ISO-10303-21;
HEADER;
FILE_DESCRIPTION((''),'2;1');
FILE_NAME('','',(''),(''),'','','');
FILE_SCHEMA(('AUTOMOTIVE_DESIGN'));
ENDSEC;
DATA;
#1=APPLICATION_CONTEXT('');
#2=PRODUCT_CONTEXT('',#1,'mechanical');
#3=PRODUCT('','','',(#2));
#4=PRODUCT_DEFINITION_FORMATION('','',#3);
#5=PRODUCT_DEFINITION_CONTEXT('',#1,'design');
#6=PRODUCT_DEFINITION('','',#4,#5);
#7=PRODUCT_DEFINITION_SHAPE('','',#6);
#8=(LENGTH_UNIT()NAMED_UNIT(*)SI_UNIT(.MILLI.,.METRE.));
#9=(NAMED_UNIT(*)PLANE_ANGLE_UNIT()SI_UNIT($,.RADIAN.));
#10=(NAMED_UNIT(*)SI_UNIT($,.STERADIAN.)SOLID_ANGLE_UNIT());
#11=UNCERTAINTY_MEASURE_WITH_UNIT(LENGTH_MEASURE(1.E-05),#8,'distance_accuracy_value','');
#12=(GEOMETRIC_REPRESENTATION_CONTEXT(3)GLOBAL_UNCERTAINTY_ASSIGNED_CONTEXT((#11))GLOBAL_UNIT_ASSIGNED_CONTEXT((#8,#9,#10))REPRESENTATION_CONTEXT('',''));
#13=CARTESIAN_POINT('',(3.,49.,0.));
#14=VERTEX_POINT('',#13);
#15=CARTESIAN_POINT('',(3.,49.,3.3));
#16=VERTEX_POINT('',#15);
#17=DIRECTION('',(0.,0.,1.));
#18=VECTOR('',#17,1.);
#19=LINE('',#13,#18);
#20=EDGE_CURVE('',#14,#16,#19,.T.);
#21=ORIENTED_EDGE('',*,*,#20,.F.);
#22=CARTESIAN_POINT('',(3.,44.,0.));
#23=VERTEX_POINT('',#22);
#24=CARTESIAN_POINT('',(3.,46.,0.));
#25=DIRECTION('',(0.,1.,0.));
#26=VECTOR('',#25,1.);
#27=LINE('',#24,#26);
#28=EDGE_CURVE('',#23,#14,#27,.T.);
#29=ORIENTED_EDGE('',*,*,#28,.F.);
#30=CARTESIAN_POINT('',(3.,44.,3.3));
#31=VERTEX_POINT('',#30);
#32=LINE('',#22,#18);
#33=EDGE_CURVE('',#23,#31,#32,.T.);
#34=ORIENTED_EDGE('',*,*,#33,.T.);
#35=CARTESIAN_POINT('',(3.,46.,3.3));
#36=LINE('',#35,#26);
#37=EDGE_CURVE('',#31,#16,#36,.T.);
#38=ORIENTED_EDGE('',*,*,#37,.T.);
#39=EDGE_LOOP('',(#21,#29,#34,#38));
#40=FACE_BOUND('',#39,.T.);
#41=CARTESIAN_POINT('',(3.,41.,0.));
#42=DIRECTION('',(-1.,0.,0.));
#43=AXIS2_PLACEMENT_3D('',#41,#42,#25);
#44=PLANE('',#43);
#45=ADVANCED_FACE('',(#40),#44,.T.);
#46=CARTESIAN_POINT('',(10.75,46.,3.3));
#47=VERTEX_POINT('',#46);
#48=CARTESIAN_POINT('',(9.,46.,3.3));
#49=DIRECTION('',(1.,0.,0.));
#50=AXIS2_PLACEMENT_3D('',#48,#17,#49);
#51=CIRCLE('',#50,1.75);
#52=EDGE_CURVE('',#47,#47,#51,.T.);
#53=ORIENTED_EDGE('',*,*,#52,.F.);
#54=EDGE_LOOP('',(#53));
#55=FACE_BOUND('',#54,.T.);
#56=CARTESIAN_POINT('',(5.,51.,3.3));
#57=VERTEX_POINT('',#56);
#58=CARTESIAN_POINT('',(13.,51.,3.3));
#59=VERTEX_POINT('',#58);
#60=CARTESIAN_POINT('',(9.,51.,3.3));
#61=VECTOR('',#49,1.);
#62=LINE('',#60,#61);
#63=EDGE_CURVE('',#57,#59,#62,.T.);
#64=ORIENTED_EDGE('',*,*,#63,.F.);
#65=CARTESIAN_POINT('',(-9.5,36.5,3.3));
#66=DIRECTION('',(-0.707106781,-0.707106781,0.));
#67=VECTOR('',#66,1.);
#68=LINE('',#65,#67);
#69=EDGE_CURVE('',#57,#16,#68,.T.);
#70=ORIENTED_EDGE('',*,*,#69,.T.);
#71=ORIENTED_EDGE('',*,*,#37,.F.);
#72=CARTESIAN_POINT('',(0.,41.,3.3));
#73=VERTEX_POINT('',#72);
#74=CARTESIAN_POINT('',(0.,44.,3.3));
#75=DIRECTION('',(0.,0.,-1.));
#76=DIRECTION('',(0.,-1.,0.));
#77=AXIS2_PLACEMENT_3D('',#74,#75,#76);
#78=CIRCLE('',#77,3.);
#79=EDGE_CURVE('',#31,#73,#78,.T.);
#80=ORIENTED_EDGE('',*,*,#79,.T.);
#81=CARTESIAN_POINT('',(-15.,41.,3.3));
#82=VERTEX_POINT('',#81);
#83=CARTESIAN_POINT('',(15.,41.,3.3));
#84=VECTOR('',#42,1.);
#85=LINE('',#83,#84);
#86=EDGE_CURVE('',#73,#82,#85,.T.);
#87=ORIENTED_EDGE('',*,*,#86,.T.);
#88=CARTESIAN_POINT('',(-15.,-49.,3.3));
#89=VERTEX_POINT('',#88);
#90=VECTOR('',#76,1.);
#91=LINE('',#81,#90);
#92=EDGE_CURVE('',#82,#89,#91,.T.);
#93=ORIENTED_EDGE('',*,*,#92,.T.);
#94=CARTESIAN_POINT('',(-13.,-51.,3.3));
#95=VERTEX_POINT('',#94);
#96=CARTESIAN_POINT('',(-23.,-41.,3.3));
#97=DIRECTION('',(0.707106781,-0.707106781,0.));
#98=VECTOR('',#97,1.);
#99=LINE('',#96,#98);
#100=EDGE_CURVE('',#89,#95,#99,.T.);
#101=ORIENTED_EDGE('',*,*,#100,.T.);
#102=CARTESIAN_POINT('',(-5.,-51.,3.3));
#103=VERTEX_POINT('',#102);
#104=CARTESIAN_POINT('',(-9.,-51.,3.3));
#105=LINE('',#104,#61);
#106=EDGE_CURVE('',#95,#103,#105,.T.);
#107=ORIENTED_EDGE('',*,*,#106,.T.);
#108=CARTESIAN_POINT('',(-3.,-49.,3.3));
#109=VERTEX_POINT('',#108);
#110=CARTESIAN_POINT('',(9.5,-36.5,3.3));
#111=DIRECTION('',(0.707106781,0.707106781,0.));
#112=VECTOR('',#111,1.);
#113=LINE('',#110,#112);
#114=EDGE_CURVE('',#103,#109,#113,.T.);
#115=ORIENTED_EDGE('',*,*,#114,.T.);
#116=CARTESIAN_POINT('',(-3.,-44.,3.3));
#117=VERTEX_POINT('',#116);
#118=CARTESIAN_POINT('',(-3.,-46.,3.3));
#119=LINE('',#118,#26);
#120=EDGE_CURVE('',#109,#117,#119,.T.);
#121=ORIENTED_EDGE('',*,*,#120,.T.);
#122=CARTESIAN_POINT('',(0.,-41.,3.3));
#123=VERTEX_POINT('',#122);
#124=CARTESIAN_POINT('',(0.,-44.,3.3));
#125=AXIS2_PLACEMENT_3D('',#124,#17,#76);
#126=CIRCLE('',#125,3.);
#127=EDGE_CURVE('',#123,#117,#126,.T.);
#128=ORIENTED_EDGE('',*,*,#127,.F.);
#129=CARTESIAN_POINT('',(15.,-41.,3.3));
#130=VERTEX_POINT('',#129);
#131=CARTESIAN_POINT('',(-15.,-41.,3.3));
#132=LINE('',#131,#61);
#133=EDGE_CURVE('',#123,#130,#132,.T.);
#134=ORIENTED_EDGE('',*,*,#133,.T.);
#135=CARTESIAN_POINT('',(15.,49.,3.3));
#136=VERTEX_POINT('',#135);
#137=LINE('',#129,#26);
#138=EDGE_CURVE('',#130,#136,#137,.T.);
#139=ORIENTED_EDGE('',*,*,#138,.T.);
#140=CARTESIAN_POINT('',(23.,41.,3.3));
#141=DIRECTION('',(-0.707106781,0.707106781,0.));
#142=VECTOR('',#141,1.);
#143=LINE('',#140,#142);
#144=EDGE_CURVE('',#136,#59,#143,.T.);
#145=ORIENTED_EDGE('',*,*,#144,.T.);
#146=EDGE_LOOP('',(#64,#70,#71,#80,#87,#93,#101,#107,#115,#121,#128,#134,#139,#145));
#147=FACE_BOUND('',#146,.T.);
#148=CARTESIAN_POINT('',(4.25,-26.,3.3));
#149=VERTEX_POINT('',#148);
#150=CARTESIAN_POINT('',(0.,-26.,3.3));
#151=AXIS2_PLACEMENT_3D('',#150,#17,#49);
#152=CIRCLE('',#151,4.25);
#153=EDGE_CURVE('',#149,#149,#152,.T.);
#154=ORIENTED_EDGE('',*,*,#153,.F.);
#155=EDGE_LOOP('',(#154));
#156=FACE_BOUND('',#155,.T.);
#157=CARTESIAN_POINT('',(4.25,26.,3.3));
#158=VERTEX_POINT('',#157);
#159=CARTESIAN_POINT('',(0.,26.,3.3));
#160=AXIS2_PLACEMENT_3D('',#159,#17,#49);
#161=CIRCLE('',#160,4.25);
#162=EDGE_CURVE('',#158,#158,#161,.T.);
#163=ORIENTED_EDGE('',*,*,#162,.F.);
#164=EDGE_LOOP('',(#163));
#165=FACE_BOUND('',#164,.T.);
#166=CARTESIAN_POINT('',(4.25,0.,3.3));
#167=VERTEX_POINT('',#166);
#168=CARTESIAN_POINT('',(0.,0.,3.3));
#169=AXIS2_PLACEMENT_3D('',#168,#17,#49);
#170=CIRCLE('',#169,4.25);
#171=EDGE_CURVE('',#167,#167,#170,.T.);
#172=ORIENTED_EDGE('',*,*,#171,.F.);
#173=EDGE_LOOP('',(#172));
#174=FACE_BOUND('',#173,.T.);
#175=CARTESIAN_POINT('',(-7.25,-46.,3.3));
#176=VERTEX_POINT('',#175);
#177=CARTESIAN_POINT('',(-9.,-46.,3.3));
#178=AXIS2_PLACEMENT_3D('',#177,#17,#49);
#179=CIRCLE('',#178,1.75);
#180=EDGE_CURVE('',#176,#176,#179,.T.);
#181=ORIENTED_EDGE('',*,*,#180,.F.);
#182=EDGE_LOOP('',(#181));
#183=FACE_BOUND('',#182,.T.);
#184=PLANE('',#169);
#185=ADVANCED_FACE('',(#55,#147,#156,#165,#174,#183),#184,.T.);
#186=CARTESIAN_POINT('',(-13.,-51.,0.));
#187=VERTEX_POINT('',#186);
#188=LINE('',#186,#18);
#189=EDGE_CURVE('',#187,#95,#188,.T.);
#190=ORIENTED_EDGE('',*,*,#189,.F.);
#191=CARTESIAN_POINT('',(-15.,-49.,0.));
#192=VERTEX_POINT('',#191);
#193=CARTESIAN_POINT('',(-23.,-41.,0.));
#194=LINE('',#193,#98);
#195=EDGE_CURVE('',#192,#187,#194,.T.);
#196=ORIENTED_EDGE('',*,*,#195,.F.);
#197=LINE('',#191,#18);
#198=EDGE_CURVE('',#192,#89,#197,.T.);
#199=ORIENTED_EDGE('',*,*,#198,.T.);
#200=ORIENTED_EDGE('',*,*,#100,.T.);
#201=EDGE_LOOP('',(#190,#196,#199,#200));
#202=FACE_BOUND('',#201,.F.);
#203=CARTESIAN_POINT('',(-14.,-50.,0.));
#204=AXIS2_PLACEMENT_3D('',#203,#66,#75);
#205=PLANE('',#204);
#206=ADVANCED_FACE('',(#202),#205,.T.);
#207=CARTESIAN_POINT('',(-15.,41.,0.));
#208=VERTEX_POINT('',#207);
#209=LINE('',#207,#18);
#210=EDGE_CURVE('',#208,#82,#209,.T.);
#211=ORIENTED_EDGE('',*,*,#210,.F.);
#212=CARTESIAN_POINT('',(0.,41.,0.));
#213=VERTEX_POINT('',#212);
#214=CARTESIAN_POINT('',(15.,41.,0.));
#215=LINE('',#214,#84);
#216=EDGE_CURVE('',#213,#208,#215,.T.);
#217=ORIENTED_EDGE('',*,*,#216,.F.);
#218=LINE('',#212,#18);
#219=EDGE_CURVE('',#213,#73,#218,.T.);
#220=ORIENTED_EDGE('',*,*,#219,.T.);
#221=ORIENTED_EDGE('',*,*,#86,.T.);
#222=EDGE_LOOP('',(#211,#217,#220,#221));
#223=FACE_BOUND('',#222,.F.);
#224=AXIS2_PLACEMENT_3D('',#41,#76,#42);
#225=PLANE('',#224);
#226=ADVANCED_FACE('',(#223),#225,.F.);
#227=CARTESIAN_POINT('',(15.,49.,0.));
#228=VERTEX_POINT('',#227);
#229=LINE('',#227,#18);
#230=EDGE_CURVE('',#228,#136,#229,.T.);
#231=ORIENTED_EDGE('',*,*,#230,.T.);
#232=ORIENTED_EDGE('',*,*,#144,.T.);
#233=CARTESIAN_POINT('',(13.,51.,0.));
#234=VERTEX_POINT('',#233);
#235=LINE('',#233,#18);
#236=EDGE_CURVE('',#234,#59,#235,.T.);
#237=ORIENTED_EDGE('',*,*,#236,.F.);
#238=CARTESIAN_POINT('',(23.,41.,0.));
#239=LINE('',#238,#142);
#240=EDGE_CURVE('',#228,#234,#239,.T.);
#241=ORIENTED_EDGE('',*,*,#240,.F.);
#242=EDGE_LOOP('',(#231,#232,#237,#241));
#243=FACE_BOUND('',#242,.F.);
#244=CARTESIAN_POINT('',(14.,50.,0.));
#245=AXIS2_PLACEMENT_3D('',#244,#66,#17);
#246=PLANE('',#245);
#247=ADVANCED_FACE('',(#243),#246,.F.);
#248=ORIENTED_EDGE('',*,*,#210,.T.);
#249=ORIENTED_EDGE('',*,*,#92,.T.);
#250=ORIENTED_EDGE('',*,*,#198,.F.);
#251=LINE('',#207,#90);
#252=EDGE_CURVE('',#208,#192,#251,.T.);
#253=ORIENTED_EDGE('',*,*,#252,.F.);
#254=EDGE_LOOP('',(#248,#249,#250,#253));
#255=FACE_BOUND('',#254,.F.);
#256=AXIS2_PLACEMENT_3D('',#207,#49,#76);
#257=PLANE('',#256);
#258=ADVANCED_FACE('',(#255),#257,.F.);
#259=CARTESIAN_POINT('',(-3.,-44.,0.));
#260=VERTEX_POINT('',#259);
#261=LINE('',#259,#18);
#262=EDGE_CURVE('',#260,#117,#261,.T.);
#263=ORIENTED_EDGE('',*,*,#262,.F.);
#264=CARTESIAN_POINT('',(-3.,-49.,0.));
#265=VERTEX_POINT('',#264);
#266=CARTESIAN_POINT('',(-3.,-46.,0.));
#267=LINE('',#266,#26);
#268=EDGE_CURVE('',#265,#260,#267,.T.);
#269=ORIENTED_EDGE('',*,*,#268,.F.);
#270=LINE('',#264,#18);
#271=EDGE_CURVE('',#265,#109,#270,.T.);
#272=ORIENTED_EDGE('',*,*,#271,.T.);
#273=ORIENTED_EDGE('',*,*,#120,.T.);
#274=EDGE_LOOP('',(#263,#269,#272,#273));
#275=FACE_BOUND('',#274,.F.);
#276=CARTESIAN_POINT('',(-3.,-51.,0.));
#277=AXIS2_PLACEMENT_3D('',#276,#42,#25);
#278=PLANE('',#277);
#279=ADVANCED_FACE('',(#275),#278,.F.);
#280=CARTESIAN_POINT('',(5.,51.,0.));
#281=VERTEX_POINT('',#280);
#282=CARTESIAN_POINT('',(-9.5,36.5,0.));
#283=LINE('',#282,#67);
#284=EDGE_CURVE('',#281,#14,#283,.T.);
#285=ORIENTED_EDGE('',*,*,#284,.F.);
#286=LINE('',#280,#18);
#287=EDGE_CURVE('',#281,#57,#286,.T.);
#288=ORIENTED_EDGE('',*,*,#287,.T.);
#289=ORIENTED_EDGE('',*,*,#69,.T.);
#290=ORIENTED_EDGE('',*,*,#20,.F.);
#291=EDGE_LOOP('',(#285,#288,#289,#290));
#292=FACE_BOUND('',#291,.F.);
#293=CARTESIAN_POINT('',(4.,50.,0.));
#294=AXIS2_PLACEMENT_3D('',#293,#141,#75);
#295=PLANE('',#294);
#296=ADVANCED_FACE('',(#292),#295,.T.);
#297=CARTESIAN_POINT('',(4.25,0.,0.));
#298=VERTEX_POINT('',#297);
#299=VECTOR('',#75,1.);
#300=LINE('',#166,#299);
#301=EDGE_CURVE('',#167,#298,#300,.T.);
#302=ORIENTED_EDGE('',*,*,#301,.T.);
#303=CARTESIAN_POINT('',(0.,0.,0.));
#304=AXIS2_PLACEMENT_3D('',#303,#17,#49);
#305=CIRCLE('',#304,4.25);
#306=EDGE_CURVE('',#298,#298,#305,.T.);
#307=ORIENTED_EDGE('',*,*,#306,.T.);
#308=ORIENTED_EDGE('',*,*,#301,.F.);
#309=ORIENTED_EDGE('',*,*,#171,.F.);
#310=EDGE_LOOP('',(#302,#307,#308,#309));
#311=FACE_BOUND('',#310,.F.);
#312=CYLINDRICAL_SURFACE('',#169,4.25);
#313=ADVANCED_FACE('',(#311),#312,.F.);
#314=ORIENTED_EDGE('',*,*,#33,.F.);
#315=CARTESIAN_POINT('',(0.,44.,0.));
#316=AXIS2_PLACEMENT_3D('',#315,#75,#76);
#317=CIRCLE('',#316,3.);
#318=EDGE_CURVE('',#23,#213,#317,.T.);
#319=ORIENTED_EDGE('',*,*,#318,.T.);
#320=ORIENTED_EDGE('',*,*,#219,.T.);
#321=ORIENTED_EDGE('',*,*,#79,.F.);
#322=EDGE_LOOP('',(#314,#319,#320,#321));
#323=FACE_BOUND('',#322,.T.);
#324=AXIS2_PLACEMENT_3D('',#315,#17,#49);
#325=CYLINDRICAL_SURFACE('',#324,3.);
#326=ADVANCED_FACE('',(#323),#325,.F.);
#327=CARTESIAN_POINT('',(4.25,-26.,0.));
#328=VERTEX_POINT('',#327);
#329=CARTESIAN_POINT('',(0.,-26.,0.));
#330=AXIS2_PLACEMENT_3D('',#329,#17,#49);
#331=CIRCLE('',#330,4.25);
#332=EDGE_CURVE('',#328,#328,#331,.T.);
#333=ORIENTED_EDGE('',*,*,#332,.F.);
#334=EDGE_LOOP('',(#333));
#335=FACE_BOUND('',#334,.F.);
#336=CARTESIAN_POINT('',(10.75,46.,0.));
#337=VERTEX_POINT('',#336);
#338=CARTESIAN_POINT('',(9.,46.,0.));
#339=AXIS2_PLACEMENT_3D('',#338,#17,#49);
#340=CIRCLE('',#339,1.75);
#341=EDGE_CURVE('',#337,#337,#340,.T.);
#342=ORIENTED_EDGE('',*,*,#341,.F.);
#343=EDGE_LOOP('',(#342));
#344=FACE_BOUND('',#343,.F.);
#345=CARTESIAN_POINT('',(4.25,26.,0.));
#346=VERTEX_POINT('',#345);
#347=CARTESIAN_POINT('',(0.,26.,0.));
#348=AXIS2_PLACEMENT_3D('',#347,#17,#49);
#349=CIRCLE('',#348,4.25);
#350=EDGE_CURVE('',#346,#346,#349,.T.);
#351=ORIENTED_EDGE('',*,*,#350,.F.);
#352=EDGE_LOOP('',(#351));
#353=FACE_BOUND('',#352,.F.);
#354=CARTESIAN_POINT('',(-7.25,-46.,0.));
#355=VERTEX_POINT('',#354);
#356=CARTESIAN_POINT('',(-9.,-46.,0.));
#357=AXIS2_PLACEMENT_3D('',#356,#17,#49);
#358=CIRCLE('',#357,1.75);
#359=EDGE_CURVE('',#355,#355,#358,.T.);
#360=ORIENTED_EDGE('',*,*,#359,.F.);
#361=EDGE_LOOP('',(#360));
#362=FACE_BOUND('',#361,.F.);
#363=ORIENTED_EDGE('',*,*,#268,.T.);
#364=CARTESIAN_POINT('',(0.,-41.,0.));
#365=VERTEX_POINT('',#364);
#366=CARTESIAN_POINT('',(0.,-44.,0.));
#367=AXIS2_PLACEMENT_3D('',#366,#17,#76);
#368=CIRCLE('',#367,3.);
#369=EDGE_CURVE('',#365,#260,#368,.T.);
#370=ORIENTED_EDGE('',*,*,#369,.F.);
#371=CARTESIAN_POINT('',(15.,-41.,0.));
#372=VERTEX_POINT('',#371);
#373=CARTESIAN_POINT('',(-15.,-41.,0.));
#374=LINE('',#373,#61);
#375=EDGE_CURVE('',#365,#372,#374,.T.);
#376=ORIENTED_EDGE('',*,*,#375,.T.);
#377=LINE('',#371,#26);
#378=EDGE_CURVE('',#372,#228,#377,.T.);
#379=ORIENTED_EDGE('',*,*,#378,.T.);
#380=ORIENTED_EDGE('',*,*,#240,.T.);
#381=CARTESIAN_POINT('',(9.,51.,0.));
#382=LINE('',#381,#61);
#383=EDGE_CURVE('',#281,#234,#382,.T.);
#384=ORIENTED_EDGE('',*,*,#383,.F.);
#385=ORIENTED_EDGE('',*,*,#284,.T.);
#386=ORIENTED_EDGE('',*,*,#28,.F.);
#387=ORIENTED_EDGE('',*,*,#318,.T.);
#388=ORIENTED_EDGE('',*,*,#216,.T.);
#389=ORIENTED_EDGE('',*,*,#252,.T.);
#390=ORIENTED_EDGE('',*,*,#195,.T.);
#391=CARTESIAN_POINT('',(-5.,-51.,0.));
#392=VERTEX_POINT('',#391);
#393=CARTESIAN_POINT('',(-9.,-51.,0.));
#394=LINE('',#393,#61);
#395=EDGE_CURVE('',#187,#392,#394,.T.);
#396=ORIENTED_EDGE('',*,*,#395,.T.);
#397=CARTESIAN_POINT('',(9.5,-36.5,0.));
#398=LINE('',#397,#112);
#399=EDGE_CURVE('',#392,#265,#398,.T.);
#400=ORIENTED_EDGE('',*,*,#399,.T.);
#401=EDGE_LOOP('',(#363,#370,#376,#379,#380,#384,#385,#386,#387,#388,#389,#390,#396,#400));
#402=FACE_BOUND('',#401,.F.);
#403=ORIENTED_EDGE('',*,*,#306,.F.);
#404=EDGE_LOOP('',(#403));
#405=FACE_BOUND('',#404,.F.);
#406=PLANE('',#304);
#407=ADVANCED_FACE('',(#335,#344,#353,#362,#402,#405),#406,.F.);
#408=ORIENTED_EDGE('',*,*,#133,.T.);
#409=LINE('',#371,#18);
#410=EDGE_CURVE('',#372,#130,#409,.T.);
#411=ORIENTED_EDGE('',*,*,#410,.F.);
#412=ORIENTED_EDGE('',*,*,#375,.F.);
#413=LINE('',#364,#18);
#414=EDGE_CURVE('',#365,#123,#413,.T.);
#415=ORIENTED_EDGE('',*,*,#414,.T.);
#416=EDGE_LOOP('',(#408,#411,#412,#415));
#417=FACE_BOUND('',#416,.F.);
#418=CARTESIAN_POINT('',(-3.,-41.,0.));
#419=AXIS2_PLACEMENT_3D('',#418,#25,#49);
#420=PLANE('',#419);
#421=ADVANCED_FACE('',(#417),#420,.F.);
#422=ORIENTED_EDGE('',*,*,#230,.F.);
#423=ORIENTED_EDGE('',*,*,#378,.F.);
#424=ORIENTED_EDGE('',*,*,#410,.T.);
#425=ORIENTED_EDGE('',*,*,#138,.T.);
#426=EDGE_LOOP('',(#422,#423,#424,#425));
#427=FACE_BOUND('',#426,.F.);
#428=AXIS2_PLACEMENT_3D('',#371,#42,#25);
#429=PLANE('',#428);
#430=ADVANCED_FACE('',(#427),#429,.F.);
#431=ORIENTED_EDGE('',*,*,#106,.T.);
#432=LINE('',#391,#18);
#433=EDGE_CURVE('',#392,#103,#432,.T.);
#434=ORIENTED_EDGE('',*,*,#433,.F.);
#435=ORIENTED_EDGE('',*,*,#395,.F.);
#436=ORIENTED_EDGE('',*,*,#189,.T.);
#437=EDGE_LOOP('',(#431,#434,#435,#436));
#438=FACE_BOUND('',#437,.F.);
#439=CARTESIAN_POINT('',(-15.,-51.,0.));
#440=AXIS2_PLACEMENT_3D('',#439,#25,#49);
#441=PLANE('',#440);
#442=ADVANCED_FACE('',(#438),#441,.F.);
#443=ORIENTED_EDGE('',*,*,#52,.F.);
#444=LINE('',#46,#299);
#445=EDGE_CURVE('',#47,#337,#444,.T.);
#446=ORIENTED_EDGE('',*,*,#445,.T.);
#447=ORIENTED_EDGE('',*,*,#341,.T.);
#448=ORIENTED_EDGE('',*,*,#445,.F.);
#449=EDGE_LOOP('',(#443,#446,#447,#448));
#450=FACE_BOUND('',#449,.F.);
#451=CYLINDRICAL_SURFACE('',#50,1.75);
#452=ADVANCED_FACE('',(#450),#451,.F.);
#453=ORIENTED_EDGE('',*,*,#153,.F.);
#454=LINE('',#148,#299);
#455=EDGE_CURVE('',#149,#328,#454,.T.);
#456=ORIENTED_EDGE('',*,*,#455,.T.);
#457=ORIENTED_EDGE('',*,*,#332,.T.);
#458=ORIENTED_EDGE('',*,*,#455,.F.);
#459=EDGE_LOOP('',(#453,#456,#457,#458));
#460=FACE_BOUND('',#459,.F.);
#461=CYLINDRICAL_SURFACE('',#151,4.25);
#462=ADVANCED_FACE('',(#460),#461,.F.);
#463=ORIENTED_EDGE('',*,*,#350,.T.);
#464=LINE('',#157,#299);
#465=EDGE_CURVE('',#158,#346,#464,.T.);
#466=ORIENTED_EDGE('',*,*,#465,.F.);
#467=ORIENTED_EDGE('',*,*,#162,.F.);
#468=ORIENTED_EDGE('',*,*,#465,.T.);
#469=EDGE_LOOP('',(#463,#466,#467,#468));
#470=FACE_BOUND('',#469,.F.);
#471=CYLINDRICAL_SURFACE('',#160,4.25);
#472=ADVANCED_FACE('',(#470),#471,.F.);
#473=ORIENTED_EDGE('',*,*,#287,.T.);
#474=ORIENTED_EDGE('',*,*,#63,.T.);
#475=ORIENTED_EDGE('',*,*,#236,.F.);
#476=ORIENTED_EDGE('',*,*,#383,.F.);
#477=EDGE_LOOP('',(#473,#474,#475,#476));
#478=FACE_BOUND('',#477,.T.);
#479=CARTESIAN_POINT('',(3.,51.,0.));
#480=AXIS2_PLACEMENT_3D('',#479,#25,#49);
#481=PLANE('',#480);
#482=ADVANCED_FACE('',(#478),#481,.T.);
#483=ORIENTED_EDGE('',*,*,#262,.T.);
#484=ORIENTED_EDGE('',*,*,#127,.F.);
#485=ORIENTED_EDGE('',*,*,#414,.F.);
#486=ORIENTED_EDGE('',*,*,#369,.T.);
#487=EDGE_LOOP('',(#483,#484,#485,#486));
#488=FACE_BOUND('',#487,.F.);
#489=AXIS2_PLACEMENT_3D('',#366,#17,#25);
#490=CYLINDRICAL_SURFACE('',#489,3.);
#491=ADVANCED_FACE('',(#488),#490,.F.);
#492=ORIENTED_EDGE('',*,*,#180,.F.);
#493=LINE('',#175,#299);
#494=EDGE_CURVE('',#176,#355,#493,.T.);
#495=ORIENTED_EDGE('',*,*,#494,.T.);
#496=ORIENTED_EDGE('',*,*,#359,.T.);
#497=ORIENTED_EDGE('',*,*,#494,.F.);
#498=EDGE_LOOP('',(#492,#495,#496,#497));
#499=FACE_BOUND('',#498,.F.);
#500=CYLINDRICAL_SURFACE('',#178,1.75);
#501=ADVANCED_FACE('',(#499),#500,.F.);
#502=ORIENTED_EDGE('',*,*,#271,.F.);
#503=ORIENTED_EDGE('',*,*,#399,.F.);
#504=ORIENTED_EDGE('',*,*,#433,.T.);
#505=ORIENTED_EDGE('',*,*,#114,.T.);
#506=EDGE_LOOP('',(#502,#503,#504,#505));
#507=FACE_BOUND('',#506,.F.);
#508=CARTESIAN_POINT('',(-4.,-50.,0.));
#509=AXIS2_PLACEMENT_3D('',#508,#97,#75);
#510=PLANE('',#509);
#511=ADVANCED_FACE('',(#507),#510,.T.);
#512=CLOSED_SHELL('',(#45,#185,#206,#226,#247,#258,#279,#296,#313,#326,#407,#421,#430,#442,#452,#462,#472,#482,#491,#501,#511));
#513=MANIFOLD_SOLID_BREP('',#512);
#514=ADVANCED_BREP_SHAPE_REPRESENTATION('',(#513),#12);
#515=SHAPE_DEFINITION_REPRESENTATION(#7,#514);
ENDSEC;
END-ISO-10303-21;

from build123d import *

# Parameters (mm, degrees)
F0_W      = 12
F0_H      = 10
F1_DEPTH  = 3.3
F2_SIZE   = 2
F3_R      = 3
F4_R      = 3
F5_R      = 1.75
F6_DEPTH  = 25
F7_R      = 2.5
F8_DEPTH  = 25
F9_R      = 4.25
F10_DEPTH = 25


with BuildPart() as f1:
    # F0 (on Top) → F1 (new body)
    with BuildSketch(Plane.XY):
        Polygon((15, -41), (15, 41), (3, 41), (-15, 41), (-15, -41), (-3, -41), align=None)
        with Locations((9, 46)):
            Rectangle(F0_W, F0_H)
        with Locations((-9, -46)):
            Rectangle(F0_W, F0_H)
    extrude(amount=F1_DEPTH)

    # F2
    f2_edges = [f1.edges().sort_by_distance(p)[0] for p in [
        (15, 51, 1.65),
        (3, 51, 1.65),
        (-15, -51, 1.65),
        (-3, -51, 1.65),
    ]]
    chamfer(f2_edges, length=F2_SIZE)

    # F3
    f3_edges = [f1.edges().sort_by_distance(p)[0] for p in [
        (3, 41, 1.65),
    ]]
    fillet(f3_edges, radius=F3_R)

    # F4
    f4_edges = [f1.edges().sort_by_distance(p)[0] for p in [
        (-3, -41, 1.65),
    ]]
    fillet(f4_edges, radius=F4_R)

    # F5 (on face) → F6 (cut)
    with BuildSketch(Plane.XY.offset(3.3)):
        with Locations((9, 46)):
            Circle(F5_R)
        with Locations((-9, -46)):
            Circle(F5_R)
    extrude(amount=-F6_DEPTH, mode=Mode.SUBTRACT)

    # F7 (on face) → F8 (cut)
    with BuildSketch(Plane.XY.offset(3.3)):
        with Locations((0, 26)):
            Circle(F7_R)
        with Locations((0, -26)):
            Circle(F7_R)
    extrude(amount=-F8_DEPTH, mode=Mode.SUBTRACT)

    # F9 (on face) → F10 (cut)
    with BuildSketch(Plane.XY.offset(3.3)):
        with Locations((0, 26)):
            Circle(F9_R)
        with Locations((0, -26)):
            Circle(F9_R)
        Circle(F9_R)
    extrude(amount=-F10_DEPTH, mode=Mode.SUBTRACT)


solid = f1.part
